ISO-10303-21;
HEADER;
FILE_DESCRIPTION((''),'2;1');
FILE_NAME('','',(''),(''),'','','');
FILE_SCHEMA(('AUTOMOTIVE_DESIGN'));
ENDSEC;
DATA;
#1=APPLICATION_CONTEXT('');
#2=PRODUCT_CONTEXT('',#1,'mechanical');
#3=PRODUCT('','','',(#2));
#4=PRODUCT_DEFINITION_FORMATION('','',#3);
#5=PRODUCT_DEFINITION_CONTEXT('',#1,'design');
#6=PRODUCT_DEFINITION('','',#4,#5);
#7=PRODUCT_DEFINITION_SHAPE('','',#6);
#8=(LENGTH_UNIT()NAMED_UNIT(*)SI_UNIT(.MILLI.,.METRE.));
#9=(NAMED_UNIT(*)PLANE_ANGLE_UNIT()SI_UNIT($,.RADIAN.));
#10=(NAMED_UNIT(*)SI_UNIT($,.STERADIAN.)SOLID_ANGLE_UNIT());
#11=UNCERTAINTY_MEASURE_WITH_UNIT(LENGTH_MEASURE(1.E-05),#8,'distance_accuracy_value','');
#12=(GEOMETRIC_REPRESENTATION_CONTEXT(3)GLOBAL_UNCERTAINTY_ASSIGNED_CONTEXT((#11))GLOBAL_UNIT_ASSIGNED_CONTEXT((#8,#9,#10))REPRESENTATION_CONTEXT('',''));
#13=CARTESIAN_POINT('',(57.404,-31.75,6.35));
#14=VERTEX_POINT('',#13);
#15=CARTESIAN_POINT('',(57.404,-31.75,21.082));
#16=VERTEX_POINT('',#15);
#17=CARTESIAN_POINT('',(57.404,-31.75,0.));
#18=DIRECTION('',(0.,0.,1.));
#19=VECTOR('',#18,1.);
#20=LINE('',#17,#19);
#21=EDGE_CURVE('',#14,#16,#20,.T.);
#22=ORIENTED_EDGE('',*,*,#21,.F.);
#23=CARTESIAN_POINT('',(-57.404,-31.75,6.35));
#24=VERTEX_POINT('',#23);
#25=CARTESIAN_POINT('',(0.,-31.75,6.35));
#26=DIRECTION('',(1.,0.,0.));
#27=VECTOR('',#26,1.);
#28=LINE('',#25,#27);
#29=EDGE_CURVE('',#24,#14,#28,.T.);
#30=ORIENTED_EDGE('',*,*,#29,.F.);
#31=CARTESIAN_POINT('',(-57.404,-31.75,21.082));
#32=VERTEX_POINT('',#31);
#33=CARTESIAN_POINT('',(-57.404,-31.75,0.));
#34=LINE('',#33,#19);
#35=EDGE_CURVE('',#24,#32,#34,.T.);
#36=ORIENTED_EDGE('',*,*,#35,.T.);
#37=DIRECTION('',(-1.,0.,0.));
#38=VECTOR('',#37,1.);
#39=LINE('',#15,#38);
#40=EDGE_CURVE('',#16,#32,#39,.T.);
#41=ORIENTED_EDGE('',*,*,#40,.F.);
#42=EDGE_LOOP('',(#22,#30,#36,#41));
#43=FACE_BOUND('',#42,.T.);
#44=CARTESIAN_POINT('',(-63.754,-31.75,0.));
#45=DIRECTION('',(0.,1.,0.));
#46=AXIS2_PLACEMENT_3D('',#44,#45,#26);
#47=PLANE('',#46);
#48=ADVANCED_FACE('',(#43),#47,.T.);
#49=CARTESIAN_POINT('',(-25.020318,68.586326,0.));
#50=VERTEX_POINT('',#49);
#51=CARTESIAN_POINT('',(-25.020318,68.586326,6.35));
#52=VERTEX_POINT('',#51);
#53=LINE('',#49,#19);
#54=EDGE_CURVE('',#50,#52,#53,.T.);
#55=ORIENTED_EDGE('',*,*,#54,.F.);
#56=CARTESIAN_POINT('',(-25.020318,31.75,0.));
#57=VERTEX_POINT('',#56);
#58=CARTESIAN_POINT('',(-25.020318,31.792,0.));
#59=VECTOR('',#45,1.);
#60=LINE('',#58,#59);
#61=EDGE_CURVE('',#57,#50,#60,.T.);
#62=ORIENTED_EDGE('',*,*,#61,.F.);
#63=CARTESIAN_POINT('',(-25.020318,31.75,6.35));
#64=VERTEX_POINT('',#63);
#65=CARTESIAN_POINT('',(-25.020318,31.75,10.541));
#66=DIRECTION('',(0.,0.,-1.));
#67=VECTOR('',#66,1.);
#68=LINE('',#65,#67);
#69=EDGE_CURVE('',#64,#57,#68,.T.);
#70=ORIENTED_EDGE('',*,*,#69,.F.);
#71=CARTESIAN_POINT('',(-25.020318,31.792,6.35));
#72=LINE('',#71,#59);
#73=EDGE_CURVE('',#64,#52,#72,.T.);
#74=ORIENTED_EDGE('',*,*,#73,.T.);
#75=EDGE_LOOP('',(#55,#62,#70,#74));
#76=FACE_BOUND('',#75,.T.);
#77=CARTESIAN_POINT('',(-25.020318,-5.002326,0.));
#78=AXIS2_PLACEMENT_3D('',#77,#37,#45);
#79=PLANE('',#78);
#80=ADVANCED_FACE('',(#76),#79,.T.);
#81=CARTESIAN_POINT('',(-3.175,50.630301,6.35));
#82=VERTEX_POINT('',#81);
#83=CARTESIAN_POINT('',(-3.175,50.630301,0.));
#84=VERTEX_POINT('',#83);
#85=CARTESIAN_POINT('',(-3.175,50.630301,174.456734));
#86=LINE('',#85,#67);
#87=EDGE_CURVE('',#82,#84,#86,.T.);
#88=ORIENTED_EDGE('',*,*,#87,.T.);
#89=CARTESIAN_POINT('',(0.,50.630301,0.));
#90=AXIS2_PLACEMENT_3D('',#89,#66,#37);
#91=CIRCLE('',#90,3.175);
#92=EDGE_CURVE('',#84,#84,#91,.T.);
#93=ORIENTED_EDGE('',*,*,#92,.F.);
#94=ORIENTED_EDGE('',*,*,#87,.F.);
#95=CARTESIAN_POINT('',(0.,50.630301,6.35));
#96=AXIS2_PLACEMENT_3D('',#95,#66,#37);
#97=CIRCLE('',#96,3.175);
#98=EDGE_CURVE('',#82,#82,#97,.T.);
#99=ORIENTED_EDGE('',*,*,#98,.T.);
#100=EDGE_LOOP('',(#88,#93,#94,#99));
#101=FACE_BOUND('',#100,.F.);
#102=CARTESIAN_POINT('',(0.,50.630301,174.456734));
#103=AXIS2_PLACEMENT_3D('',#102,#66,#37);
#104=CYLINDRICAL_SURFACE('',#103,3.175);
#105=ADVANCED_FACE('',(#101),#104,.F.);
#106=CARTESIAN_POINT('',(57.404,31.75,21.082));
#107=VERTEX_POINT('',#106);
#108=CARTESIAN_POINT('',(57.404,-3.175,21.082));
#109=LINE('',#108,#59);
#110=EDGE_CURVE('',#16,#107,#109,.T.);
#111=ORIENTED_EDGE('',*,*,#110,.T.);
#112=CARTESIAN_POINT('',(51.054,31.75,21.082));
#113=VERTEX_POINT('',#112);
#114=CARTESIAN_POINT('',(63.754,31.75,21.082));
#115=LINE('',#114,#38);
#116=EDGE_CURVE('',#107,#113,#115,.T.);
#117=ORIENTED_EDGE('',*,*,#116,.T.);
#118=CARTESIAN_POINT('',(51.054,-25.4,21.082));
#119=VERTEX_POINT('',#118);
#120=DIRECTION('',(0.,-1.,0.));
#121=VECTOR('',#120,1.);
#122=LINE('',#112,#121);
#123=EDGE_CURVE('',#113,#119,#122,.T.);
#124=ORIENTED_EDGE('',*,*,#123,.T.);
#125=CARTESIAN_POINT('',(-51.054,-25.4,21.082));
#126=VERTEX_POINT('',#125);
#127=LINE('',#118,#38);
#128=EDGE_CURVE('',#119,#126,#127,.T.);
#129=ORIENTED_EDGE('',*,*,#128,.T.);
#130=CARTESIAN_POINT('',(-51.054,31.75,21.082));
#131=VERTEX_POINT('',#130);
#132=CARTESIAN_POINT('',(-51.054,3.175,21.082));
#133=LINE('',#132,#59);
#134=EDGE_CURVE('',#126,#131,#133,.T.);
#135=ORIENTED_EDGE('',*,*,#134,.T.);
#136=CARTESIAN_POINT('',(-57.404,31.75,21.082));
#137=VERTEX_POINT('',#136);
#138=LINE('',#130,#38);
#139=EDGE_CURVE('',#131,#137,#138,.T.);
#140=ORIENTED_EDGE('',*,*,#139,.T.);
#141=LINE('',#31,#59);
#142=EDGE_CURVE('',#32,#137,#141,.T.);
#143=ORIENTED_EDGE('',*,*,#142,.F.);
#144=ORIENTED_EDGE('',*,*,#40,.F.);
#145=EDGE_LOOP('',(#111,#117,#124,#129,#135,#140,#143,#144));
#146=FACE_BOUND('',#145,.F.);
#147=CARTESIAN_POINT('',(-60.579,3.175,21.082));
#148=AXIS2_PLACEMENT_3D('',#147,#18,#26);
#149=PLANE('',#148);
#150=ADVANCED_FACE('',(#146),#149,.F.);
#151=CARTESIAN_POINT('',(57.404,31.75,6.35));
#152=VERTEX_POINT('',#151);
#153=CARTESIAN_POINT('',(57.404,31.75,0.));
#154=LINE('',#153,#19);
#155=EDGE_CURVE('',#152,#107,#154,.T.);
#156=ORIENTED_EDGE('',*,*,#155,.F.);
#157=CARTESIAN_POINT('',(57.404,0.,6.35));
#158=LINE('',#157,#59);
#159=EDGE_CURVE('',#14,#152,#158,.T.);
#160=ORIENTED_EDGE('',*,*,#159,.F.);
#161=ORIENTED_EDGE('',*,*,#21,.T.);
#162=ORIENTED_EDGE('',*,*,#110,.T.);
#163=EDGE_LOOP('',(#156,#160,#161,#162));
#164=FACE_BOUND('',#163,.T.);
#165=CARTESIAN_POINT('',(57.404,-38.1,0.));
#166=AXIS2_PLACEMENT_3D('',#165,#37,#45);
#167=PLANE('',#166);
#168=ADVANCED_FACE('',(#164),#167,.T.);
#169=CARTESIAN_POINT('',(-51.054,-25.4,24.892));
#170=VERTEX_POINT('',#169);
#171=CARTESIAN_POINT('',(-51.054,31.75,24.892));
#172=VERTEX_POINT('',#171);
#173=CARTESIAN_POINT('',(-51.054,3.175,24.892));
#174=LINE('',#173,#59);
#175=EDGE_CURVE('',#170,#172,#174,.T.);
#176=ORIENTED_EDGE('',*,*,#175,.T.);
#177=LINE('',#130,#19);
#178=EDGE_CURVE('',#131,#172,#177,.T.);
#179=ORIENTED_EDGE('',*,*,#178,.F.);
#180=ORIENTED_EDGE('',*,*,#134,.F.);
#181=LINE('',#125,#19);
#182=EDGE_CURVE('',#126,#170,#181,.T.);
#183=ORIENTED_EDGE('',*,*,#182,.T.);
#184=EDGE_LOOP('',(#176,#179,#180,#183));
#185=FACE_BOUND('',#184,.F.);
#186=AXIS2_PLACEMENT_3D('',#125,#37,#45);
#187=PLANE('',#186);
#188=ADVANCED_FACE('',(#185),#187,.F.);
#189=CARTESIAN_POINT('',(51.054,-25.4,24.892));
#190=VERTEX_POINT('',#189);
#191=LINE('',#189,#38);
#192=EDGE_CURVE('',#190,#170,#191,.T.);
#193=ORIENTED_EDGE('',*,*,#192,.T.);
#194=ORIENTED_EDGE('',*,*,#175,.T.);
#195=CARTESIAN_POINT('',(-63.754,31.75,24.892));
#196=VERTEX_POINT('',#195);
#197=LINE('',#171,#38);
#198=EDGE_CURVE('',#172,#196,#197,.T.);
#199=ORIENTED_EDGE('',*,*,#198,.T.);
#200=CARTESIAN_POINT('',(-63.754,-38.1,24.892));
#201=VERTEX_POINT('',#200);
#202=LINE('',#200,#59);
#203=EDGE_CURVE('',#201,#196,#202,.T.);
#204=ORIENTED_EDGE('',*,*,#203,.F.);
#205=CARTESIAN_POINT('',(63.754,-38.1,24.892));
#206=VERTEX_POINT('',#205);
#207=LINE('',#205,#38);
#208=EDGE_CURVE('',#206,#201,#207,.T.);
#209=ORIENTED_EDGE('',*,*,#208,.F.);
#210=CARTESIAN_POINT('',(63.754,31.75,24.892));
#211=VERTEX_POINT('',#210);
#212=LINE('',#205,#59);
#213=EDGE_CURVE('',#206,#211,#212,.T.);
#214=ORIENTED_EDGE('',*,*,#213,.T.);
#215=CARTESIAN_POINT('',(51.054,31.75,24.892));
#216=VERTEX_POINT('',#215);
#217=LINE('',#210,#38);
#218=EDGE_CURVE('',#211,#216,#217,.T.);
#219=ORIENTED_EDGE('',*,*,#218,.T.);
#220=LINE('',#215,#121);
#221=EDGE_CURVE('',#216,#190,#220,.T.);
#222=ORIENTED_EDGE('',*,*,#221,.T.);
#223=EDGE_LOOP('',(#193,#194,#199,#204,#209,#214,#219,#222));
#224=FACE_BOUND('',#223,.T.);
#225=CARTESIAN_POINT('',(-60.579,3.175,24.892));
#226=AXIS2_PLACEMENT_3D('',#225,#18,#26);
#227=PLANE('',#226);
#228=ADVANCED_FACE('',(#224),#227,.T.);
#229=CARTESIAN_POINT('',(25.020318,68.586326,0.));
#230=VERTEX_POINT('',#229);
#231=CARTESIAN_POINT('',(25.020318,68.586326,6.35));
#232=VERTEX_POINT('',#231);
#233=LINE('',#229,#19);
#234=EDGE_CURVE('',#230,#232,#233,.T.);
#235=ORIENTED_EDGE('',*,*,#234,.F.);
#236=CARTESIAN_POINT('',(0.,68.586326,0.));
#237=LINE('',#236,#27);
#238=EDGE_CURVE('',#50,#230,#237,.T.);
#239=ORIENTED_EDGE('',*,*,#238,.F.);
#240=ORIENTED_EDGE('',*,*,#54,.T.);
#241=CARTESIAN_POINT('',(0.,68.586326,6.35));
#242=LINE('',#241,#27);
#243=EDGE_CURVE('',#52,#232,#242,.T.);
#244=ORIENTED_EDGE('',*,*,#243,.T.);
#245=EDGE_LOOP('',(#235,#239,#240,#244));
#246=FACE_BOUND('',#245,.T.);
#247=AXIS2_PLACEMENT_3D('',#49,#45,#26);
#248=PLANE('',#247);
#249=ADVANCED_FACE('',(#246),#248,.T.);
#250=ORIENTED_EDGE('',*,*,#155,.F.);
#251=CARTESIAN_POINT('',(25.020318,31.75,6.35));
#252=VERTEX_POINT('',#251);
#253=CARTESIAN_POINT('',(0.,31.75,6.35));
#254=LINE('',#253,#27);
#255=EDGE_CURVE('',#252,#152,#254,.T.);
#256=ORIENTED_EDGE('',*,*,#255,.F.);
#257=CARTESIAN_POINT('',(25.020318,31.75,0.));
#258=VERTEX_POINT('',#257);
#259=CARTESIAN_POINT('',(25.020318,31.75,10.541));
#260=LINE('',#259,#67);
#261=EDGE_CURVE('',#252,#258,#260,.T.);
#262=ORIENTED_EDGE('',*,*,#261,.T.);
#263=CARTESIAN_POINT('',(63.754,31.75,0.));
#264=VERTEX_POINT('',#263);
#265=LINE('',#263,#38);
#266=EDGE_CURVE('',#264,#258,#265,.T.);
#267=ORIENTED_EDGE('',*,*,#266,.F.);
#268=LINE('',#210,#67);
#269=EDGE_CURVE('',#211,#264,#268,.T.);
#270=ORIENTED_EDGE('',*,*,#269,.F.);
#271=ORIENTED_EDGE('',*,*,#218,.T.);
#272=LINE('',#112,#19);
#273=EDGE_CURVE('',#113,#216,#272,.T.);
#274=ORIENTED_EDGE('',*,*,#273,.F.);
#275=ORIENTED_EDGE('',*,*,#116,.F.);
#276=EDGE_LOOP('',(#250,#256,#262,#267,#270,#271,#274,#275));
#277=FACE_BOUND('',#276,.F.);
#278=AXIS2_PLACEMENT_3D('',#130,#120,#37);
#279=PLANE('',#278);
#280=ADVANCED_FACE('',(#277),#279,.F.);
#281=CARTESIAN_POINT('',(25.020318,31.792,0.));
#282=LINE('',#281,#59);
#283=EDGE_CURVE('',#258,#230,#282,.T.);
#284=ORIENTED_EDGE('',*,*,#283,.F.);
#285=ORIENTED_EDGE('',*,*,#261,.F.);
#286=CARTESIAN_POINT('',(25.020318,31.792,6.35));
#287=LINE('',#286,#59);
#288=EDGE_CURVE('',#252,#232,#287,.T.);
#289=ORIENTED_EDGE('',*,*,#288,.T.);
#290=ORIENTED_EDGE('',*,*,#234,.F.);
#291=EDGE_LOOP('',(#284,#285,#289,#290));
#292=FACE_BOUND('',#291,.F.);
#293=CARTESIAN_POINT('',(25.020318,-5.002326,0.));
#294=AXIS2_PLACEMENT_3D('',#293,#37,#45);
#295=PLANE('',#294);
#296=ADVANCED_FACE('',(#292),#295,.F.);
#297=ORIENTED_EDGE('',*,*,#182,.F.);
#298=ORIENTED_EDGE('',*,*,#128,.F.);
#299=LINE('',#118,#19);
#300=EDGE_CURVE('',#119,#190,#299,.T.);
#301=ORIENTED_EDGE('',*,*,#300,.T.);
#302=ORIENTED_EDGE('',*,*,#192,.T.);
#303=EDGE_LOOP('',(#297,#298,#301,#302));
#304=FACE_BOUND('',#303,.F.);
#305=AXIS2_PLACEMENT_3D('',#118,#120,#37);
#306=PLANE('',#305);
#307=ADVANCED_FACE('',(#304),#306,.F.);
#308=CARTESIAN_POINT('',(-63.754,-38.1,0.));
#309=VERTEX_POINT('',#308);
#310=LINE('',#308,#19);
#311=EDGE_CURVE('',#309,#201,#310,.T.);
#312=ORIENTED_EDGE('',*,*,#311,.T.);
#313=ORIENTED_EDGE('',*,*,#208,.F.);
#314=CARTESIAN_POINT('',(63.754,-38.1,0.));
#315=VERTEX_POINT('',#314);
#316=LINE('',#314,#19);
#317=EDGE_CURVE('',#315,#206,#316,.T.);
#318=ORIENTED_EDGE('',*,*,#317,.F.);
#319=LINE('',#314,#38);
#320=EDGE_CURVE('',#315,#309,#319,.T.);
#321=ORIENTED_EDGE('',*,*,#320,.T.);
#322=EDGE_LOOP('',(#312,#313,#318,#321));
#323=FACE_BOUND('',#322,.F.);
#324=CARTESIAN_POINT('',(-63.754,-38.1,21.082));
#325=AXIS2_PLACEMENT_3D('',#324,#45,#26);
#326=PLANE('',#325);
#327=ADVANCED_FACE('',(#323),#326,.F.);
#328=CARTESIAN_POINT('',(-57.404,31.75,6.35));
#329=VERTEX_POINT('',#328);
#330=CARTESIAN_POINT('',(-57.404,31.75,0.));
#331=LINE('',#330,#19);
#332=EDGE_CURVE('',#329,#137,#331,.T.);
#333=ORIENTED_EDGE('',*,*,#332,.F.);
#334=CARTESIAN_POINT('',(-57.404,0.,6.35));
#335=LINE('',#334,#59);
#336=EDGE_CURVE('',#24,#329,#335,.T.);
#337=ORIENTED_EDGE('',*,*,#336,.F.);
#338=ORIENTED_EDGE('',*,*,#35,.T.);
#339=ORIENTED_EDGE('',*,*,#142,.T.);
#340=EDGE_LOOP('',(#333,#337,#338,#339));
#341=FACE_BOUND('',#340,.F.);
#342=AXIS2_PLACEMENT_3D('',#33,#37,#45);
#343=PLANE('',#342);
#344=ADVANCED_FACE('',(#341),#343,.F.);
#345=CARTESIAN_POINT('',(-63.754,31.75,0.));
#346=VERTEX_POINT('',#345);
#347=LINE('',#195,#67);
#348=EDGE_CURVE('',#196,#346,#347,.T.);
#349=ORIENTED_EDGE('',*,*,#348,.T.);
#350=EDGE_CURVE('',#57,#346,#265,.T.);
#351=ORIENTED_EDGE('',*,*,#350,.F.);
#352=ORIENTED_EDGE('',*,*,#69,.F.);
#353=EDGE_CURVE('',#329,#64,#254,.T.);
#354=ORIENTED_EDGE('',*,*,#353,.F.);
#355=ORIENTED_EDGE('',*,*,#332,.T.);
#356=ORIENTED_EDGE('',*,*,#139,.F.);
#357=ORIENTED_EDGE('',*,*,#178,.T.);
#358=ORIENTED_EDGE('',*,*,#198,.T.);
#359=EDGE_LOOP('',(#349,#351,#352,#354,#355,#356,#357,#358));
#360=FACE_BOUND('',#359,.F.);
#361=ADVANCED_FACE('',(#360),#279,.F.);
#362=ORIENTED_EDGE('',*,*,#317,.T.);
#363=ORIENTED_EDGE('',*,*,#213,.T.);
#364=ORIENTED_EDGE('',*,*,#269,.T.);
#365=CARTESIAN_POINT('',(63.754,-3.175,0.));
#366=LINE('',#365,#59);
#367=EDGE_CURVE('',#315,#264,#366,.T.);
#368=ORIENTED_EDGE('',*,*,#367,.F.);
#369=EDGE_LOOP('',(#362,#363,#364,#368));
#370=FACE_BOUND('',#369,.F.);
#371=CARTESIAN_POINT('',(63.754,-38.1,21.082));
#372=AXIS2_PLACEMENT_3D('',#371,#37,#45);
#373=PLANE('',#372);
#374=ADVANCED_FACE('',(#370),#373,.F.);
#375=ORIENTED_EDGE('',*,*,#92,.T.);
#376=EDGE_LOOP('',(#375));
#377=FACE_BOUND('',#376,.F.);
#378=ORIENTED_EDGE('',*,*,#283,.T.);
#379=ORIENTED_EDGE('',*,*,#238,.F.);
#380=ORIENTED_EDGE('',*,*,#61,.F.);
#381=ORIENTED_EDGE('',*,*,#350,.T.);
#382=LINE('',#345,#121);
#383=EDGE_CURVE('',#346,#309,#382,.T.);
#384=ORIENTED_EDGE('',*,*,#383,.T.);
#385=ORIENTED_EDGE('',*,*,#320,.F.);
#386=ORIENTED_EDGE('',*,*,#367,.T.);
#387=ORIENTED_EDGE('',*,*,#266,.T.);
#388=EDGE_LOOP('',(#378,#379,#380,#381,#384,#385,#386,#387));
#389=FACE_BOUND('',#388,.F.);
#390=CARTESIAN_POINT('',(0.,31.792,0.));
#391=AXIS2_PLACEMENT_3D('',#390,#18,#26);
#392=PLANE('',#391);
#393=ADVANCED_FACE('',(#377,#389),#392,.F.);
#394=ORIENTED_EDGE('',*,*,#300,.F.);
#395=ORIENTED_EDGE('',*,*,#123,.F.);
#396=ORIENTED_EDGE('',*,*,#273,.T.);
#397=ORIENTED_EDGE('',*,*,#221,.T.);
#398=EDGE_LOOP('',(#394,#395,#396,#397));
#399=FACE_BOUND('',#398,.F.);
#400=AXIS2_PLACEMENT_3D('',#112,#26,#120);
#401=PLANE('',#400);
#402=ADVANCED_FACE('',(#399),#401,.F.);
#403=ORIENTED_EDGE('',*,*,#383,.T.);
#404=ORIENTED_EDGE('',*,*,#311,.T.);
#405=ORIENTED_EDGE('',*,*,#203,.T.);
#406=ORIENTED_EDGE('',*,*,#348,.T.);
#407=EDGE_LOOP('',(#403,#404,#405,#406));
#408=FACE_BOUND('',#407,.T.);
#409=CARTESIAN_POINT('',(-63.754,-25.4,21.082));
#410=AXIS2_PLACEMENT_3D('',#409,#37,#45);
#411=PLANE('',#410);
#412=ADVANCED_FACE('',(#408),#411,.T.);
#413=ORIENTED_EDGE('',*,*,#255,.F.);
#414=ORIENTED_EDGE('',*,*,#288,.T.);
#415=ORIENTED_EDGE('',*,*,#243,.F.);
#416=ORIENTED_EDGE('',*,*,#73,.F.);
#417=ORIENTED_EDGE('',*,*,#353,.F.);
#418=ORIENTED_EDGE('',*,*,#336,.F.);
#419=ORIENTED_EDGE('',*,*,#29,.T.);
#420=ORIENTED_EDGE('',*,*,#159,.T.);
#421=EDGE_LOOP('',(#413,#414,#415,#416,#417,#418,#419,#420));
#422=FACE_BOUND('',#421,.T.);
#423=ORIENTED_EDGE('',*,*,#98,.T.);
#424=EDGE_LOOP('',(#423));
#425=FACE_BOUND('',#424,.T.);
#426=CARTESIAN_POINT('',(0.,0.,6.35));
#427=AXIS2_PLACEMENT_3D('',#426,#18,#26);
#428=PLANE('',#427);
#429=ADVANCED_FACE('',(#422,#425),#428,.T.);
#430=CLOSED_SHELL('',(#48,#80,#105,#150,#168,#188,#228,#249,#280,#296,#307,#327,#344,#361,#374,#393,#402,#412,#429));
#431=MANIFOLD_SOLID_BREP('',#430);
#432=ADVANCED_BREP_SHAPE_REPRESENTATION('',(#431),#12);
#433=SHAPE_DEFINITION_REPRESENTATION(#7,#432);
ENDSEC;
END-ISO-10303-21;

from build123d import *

# Parameters (mm, degrees)
F0_W      = 114.808
F0_H      = 63.5
F1_DEPTH  = 6.35
F2_W      = 6.35
F2_H      = 63.5
F3_DEPTH  = 21.082
F4_W      = 121.158
F4_H      = 6.35
F5_DEPTH  = 21.082
F6_W      = 6.35
F6_H      = 69.85
F7_DEPTH  = 21.082
F8_W      = 6.35
F8_H      = 63.5
F9_DEPTH  = 3.81
F10_W     = 108.458
F10_H     = 6.35
F11_DEPTH = 3.81
F12_W     = 6.35
F12_H     = 57.15
F13_DEPTH = 3.81
F14_W     = 50.0406362116
F14_H     = 73.5886525363
F15_DEPTH = 6.35
F17_D     = 6.35


with BuildPart() as f1:
    # F0 (on Top) → F1 (new body)
    with BuildSketch(Plane.XY):
        Rectangle(F0_W, F0_H)
    extrude(amount=F1_DEPTH)

    # F2 (on Top) → F3 (join)
    with BuildSketch(Plane.XY):
        with Locations((-60.579, 0)):
            Rectangle(F2_W, F2_H)
    extrude(amount=F3_DEPTH)

    # F4 (on Top) → F5 (join)
    with BuildSketch(Plane.XY):
        with Locations((-3.175, -34.925)):
            Rectangle(F4_W, F4_H)
    extrude(amount=F5_DEPTH)

    # F6 (on Top) → F7 (join)
    with BuildSketch(Plane.XY):
        with Locations((60.579, -3.175)):
            Rectangle(F6_W, F6_H)
    extrude(amount=F7_DEPTH)

    # F8 (on face) → F9 (join)
    with BuildSketch(Plane.XY.offset(21.082)):
        with Locations((54.229, 0)):
            Rectangle(F8_W, F8_H)
        Polygon((63.754, -38.1), (63.754, 31.75), (57.404, 31.75), (57.404, -31.75), (51.054, -31.75), (51.054, -38.1), align=None)
    extrude(amount=F9_DEPTH)

    # F10 (on face) → F11 (join)
    with BuildSketch(Plane.XY.offset(21.082)):
        Polygon((-63.754, -25.4), (-63.754, -38.1), (51.054, -38.1), (51.054, -31.75), (-57.404, -31.75), (-57.404, -25.4), align=None)
        with Locations((-3.175, -28.575)):
            Rectangle(F10_W, F10_H)
    extrude(amount=F11_DEPTH)

    # F12 (on face) → F13 (join)
    with BuildSketch(Plane.XY.offset(21.082)):
        with Locations((-60.579, 3.175)):
            Rectangle(F12_W, F12_H)
        with Locations((-54.229, 3.175)):
            Rectangle(F12_W, F12_H)
    extrude(amount=F13_DEPTH)

    # F14 (on Top) → F15 (join)
    with BuildSketch(Plane.XY):
        with Locations((0, 31.7919999361)):
            Rectangle(F14_W, F14_H)
    extrude(amount=F15_DEPTH)

    # F17 (through all)
    with Locations(Plane.XY.offset(6.35)):
        with Locations((0, 50.6303012371)):
            Hole(F17_D / 2)


solid = f1.part
